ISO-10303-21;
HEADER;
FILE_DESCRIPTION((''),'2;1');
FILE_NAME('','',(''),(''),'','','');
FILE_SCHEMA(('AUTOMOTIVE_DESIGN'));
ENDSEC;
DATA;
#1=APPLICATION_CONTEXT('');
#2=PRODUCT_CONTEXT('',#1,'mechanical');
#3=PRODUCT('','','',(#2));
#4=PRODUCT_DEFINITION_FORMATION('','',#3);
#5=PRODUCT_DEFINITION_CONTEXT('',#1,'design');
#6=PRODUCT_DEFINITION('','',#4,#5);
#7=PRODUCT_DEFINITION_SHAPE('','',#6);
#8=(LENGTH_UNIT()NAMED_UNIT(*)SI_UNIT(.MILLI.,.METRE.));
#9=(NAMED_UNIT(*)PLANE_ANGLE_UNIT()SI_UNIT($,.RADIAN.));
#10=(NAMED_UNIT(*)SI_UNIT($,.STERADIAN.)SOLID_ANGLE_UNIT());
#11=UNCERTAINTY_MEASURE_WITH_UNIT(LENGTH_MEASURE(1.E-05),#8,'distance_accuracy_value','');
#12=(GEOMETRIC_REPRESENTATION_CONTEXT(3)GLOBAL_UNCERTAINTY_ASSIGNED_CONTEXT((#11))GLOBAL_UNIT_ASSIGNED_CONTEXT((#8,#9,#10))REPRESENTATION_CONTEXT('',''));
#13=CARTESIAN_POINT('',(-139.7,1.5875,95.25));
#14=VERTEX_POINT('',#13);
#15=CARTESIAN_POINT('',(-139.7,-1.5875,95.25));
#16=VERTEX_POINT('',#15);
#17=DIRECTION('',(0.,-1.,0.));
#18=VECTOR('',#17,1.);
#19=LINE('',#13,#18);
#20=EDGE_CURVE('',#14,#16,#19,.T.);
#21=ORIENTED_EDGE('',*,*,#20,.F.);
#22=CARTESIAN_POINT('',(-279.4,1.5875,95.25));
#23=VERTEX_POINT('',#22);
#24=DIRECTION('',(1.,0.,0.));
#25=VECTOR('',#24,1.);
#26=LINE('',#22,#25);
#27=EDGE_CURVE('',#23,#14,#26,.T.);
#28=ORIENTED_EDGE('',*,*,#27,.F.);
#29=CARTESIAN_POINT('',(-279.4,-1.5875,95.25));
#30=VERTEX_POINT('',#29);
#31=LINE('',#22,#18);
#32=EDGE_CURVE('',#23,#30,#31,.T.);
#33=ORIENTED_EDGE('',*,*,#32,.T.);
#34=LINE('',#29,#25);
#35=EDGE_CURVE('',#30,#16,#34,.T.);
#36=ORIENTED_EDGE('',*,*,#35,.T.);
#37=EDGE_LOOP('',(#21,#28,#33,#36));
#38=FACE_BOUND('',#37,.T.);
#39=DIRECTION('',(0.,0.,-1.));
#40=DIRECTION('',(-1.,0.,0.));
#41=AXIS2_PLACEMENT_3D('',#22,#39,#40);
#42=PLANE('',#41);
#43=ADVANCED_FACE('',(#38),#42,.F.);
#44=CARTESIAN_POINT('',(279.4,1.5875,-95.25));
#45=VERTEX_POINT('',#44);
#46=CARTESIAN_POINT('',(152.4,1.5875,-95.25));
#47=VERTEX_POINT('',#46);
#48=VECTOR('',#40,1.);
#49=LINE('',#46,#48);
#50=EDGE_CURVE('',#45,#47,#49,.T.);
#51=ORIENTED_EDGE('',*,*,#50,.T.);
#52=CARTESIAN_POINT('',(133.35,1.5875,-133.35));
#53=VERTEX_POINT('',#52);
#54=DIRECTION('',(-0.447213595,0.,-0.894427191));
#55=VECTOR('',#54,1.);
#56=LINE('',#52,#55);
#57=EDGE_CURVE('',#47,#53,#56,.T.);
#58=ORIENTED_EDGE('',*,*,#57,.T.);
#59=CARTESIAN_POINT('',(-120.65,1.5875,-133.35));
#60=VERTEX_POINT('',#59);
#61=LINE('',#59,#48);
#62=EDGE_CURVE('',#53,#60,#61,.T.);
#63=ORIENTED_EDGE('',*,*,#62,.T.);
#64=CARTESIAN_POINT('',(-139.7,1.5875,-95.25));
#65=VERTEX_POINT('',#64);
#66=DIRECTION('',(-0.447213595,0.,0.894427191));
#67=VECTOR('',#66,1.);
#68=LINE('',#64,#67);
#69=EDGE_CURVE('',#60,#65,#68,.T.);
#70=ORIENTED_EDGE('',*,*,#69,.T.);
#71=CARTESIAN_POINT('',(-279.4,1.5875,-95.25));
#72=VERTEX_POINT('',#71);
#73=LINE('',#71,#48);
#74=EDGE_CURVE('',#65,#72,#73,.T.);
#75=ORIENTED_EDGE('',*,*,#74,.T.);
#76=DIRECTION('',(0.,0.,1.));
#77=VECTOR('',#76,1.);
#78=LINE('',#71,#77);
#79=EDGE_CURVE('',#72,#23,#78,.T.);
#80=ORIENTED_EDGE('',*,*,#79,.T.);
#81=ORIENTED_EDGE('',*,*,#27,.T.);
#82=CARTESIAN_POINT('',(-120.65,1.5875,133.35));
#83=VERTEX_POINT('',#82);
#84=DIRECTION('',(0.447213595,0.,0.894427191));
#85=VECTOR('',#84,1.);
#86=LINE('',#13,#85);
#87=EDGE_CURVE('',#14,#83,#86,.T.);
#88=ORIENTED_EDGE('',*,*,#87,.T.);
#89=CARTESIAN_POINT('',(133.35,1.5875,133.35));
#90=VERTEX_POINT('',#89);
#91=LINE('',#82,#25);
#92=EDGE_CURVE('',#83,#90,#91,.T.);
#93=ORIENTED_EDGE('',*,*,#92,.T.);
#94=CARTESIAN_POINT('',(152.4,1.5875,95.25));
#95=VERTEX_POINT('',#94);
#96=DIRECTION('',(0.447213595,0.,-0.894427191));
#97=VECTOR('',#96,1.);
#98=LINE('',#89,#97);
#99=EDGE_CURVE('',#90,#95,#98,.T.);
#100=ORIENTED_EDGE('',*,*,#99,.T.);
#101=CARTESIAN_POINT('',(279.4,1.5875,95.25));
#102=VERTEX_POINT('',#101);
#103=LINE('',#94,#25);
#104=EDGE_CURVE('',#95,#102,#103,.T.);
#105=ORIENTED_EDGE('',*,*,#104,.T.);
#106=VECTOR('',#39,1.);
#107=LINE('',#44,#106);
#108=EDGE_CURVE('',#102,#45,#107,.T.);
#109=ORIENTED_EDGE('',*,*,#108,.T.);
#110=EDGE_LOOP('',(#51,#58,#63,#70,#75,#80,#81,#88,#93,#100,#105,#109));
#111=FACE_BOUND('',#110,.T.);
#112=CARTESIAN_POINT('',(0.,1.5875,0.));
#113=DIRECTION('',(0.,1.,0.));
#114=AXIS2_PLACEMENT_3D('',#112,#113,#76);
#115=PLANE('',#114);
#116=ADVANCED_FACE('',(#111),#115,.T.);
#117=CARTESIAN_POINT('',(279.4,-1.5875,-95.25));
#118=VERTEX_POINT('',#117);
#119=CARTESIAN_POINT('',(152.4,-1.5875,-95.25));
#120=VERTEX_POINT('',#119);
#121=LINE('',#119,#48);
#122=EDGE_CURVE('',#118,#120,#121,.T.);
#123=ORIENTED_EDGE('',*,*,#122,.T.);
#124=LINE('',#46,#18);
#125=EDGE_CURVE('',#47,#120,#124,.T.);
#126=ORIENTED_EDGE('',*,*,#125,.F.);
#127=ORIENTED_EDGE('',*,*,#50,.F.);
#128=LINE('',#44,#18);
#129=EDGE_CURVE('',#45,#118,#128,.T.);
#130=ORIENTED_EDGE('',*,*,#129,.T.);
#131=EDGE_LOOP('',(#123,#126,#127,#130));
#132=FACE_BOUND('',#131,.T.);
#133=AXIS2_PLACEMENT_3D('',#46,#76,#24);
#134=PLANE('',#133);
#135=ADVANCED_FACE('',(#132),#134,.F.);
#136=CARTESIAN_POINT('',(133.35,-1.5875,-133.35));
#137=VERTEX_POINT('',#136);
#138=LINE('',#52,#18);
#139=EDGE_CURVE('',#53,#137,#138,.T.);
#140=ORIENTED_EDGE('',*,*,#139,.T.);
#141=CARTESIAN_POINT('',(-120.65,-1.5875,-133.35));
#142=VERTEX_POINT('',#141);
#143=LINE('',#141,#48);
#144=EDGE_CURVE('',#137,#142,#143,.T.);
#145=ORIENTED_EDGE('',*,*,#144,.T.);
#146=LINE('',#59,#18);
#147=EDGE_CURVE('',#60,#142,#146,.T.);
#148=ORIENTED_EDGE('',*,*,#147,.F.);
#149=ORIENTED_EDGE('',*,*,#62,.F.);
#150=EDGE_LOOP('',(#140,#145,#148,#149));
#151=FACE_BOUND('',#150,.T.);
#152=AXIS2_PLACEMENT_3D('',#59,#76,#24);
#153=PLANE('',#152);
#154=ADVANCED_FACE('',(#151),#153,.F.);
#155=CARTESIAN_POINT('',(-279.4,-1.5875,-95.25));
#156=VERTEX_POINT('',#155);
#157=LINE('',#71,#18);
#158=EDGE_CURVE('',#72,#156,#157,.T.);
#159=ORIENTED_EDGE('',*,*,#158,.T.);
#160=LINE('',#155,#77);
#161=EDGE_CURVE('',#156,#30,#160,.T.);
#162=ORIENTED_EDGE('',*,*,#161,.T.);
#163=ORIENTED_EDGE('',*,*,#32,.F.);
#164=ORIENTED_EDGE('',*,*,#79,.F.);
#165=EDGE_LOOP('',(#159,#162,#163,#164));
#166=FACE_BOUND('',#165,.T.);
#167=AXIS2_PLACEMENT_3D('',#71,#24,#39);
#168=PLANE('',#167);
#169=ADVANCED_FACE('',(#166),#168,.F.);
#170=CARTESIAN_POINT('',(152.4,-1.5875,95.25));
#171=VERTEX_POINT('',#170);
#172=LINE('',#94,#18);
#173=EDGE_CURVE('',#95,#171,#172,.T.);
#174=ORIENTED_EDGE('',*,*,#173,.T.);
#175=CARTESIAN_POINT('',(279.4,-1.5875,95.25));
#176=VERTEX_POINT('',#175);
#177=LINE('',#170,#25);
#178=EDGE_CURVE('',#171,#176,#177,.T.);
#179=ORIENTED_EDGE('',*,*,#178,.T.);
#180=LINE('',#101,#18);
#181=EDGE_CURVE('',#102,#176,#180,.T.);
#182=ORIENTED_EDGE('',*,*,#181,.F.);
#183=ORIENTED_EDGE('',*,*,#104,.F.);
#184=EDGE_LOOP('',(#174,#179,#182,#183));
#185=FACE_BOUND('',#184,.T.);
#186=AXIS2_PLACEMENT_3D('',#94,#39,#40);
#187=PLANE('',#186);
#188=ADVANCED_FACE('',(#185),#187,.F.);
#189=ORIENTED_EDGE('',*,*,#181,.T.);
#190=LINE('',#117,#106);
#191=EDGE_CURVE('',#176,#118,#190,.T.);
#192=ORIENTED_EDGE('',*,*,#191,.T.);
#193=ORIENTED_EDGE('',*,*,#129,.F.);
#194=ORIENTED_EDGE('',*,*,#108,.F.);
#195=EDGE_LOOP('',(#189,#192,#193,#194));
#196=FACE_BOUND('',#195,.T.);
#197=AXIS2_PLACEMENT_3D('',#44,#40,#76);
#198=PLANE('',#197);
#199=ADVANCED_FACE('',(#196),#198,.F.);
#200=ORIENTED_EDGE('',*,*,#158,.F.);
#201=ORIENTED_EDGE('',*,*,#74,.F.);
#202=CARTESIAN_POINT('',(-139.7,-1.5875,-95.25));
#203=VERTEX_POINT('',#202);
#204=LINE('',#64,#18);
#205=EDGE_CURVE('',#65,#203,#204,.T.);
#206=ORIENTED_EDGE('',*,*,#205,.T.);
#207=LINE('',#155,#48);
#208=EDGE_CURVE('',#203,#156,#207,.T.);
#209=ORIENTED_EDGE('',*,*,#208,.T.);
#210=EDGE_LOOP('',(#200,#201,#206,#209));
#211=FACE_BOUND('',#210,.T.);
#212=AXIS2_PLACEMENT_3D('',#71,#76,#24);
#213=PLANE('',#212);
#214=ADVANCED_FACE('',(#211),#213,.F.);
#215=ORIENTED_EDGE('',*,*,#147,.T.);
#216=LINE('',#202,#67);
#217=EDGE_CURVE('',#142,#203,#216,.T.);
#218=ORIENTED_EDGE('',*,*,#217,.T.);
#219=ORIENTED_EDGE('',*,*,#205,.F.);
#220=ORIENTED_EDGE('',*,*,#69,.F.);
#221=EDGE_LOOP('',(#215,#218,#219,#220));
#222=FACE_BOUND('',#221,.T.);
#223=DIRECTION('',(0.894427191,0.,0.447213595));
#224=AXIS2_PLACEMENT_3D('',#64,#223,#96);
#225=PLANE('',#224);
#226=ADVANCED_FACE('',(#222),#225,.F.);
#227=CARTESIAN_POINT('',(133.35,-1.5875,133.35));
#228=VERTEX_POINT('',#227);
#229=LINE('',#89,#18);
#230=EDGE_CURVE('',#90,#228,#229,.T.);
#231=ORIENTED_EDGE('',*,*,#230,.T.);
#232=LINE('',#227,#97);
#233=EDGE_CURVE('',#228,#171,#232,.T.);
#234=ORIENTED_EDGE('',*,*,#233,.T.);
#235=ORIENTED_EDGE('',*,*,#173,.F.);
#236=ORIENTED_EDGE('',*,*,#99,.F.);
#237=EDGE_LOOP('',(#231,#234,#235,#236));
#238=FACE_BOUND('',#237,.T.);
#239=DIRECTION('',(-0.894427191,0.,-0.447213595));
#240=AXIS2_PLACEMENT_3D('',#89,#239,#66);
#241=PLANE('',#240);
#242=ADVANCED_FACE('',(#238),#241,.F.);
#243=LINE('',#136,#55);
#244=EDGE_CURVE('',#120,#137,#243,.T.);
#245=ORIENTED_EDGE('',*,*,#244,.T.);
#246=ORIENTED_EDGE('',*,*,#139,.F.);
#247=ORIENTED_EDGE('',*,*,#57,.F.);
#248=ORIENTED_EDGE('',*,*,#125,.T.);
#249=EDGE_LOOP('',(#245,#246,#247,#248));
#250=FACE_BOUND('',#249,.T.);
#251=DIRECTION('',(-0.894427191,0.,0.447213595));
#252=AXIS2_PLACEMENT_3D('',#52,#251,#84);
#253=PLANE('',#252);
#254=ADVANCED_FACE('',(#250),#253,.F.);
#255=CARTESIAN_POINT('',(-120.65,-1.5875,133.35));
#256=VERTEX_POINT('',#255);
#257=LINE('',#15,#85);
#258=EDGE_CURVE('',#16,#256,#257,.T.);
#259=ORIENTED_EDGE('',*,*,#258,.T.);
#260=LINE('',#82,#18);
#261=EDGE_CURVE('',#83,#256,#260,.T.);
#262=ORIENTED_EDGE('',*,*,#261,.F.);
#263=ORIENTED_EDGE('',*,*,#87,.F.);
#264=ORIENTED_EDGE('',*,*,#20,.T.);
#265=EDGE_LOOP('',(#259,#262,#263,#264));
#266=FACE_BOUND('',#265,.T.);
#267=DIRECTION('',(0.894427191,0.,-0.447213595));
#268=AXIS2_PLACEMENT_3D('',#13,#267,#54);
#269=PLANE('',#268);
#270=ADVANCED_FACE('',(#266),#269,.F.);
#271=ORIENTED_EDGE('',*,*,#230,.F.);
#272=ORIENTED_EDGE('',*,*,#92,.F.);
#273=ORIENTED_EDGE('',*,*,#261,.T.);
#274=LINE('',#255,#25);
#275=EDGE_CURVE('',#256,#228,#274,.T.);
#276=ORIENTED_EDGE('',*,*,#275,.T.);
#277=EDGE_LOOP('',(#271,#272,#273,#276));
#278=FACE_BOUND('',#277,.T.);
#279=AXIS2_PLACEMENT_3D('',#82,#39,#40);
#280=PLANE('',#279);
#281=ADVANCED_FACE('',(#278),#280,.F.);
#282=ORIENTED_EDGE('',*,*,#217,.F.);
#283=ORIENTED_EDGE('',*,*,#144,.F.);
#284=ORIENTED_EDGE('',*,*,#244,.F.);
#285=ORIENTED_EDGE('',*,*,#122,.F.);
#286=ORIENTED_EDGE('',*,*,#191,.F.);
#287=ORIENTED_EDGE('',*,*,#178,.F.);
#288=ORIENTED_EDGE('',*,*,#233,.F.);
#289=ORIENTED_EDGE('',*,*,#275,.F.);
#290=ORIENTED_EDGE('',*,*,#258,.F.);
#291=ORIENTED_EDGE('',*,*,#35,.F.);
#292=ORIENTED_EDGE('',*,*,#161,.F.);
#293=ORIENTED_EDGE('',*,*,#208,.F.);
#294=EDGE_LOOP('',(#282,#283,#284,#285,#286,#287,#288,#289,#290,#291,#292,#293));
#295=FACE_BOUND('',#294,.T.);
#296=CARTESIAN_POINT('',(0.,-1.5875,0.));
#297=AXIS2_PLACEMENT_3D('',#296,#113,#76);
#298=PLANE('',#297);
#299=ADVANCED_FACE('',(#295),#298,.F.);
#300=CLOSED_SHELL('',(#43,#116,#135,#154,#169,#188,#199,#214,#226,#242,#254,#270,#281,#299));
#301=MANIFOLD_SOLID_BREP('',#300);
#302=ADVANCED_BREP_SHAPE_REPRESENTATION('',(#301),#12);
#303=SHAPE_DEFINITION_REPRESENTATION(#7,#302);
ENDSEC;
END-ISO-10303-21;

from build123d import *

# Parameters (mm, degrees)
BOSS_EXTRUDE1_DEPTH = 1.5875


with BuildPart() as part:
    # Sketch3 → Boss-Extrude1 (new body, symmetric)
    with BuildSketch(Plane(origin=(0, 0, 0), x_dir=(1, 0, 0), z_dir=(0, 1, 0))):
        Polygon((-279.4, 95.25), (-139.7, 95.25), (-120.65, 133.35), (133.35, 133.35), (152.4, 95.25), (279.4, 95.25), (279.4, -95.25), (152.4, -95.25), (133.35, -133.35), (-120.65, -133.35), (-139.7, -95.25), (-279.4, -95.25), align=None)
    extrude(amount=BOSS_EXTRUDE1_DEPTH, both=True)


solid = part.part
